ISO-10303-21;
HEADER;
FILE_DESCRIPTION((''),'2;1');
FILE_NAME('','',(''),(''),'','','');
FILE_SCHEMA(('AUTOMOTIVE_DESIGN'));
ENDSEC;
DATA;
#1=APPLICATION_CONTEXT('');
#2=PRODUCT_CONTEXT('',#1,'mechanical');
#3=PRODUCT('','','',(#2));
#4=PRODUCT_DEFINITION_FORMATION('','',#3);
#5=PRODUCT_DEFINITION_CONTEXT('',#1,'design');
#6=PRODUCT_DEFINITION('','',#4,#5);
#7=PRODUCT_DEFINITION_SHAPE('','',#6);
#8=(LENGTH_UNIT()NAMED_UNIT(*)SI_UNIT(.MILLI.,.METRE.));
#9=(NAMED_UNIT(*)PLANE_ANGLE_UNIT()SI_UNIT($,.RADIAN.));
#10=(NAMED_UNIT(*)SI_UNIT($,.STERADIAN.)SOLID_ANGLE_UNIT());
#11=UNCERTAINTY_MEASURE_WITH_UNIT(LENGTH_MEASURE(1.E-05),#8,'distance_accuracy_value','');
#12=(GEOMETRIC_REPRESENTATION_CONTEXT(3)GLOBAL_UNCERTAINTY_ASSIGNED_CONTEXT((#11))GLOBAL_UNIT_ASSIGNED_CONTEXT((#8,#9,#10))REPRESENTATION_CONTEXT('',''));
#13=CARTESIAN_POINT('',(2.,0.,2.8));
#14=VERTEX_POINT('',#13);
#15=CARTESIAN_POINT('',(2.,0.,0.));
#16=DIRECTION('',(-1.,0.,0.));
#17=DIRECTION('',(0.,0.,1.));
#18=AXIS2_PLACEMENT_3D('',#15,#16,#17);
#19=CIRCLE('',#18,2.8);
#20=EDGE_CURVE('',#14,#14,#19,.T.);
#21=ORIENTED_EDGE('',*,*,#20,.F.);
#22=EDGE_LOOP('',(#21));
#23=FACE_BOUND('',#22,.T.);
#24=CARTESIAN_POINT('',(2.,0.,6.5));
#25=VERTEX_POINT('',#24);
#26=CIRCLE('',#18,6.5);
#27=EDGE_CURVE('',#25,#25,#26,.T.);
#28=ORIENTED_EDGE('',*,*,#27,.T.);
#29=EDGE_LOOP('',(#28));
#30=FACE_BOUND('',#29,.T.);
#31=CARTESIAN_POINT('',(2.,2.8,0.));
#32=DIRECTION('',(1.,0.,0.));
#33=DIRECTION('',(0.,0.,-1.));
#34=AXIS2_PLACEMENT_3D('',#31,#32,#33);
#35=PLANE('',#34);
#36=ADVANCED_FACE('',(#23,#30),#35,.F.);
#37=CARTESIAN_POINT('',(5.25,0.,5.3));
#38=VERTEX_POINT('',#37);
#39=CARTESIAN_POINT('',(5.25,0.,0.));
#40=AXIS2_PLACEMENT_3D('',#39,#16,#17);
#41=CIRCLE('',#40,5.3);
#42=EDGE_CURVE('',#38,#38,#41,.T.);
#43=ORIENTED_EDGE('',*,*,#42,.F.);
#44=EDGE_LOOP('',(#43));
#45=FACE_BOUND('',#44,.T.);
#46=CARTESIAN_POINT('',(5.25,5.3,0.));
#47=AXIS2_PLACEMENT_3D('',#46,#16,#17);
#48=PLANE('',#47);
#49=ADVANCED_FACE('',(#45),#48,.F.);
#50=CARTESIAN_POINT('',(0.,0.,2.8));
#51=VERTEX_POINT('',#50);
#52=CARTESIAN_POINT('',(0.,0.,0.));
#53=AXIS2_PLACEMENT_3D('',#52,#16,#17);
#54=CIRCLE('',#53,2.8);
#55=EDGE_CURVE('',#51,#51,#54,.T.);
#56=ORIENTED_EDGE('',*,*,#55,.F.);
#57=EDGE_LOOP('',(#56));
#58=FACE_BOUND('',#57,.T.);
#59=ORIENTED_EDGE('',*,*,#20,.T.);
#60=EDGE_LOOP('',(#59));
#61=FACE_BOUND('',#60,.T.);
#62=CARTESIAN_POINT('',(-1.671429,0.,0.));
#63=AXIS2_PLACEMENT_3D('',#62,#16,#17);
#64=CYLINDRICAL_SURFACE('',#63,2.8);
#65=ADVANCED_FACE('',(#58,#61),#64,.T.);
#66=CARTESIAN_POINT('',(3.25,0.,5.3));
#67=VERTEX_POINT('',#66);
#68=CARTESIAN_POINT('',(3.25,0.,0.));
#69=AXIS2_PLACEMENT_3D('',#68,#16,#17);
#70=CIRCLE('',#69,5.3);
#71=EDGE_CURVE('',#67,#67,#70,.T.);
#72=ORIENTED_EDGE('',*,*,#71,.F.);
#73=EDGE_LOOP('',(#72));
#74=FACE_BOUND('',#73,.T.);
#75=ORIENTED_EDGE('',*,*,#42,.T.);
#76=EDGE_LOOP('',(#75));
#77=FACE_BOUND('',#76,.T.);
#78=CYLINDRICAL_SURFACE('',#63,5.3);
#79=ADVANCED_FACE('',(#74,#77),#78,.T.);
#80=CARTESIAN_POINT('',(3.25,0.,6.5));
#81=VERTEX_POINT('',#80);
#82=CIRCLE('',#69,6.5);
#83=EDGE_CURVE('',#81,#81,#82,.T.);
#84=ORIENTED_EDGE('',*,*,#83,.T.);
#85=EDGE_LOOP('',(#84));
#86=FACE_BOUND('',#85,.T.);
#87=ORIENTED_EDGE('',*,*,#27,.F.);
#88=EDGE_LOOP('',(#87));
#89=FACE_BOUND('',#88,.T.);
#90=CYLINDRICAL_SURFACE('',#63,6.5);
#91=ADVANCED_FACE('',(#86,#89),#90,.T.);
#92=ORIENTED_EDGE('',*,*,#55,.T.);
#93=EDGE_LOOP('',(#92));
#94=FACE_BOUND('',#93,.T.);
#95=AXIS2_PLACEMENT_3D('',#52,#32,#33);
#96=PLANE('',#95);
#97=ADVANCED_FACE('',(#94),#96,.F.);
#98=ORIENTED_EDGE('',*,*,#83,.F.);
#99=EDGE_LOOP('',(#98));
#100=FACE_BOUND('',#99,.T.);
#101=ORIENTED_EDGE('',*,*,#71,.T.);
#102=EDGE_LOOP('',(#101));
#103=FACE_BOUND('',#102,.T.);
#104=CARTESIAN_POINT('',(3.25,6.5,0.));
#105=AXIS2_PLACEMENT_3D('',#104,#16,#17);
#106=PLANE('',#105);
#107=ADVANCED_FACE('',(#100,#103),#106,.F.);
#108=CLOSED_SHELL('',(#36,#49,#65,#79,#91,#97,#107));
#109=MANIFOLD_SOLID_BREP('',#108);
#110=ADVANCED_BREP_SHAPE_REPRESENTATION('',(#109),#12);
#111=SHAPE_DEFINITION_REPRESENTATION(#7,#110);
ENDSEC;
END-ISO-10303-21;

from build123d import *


with BuildPart() as part:
    # Skica1 → Rotovat1 (revolve)
    with BuildSketch(Plane.XY):
        Polygon((0, 0), (0, 2.8), (2, 2.8), (2, 6.5), (3.25, 6.5), (3.25, 5.3), (5.25, 5.3), (5.25, 0), align=None)
    revolve(axis=Axis((-1.671428571, 0, 0), (1, 0, 0)))


solid = part.part
